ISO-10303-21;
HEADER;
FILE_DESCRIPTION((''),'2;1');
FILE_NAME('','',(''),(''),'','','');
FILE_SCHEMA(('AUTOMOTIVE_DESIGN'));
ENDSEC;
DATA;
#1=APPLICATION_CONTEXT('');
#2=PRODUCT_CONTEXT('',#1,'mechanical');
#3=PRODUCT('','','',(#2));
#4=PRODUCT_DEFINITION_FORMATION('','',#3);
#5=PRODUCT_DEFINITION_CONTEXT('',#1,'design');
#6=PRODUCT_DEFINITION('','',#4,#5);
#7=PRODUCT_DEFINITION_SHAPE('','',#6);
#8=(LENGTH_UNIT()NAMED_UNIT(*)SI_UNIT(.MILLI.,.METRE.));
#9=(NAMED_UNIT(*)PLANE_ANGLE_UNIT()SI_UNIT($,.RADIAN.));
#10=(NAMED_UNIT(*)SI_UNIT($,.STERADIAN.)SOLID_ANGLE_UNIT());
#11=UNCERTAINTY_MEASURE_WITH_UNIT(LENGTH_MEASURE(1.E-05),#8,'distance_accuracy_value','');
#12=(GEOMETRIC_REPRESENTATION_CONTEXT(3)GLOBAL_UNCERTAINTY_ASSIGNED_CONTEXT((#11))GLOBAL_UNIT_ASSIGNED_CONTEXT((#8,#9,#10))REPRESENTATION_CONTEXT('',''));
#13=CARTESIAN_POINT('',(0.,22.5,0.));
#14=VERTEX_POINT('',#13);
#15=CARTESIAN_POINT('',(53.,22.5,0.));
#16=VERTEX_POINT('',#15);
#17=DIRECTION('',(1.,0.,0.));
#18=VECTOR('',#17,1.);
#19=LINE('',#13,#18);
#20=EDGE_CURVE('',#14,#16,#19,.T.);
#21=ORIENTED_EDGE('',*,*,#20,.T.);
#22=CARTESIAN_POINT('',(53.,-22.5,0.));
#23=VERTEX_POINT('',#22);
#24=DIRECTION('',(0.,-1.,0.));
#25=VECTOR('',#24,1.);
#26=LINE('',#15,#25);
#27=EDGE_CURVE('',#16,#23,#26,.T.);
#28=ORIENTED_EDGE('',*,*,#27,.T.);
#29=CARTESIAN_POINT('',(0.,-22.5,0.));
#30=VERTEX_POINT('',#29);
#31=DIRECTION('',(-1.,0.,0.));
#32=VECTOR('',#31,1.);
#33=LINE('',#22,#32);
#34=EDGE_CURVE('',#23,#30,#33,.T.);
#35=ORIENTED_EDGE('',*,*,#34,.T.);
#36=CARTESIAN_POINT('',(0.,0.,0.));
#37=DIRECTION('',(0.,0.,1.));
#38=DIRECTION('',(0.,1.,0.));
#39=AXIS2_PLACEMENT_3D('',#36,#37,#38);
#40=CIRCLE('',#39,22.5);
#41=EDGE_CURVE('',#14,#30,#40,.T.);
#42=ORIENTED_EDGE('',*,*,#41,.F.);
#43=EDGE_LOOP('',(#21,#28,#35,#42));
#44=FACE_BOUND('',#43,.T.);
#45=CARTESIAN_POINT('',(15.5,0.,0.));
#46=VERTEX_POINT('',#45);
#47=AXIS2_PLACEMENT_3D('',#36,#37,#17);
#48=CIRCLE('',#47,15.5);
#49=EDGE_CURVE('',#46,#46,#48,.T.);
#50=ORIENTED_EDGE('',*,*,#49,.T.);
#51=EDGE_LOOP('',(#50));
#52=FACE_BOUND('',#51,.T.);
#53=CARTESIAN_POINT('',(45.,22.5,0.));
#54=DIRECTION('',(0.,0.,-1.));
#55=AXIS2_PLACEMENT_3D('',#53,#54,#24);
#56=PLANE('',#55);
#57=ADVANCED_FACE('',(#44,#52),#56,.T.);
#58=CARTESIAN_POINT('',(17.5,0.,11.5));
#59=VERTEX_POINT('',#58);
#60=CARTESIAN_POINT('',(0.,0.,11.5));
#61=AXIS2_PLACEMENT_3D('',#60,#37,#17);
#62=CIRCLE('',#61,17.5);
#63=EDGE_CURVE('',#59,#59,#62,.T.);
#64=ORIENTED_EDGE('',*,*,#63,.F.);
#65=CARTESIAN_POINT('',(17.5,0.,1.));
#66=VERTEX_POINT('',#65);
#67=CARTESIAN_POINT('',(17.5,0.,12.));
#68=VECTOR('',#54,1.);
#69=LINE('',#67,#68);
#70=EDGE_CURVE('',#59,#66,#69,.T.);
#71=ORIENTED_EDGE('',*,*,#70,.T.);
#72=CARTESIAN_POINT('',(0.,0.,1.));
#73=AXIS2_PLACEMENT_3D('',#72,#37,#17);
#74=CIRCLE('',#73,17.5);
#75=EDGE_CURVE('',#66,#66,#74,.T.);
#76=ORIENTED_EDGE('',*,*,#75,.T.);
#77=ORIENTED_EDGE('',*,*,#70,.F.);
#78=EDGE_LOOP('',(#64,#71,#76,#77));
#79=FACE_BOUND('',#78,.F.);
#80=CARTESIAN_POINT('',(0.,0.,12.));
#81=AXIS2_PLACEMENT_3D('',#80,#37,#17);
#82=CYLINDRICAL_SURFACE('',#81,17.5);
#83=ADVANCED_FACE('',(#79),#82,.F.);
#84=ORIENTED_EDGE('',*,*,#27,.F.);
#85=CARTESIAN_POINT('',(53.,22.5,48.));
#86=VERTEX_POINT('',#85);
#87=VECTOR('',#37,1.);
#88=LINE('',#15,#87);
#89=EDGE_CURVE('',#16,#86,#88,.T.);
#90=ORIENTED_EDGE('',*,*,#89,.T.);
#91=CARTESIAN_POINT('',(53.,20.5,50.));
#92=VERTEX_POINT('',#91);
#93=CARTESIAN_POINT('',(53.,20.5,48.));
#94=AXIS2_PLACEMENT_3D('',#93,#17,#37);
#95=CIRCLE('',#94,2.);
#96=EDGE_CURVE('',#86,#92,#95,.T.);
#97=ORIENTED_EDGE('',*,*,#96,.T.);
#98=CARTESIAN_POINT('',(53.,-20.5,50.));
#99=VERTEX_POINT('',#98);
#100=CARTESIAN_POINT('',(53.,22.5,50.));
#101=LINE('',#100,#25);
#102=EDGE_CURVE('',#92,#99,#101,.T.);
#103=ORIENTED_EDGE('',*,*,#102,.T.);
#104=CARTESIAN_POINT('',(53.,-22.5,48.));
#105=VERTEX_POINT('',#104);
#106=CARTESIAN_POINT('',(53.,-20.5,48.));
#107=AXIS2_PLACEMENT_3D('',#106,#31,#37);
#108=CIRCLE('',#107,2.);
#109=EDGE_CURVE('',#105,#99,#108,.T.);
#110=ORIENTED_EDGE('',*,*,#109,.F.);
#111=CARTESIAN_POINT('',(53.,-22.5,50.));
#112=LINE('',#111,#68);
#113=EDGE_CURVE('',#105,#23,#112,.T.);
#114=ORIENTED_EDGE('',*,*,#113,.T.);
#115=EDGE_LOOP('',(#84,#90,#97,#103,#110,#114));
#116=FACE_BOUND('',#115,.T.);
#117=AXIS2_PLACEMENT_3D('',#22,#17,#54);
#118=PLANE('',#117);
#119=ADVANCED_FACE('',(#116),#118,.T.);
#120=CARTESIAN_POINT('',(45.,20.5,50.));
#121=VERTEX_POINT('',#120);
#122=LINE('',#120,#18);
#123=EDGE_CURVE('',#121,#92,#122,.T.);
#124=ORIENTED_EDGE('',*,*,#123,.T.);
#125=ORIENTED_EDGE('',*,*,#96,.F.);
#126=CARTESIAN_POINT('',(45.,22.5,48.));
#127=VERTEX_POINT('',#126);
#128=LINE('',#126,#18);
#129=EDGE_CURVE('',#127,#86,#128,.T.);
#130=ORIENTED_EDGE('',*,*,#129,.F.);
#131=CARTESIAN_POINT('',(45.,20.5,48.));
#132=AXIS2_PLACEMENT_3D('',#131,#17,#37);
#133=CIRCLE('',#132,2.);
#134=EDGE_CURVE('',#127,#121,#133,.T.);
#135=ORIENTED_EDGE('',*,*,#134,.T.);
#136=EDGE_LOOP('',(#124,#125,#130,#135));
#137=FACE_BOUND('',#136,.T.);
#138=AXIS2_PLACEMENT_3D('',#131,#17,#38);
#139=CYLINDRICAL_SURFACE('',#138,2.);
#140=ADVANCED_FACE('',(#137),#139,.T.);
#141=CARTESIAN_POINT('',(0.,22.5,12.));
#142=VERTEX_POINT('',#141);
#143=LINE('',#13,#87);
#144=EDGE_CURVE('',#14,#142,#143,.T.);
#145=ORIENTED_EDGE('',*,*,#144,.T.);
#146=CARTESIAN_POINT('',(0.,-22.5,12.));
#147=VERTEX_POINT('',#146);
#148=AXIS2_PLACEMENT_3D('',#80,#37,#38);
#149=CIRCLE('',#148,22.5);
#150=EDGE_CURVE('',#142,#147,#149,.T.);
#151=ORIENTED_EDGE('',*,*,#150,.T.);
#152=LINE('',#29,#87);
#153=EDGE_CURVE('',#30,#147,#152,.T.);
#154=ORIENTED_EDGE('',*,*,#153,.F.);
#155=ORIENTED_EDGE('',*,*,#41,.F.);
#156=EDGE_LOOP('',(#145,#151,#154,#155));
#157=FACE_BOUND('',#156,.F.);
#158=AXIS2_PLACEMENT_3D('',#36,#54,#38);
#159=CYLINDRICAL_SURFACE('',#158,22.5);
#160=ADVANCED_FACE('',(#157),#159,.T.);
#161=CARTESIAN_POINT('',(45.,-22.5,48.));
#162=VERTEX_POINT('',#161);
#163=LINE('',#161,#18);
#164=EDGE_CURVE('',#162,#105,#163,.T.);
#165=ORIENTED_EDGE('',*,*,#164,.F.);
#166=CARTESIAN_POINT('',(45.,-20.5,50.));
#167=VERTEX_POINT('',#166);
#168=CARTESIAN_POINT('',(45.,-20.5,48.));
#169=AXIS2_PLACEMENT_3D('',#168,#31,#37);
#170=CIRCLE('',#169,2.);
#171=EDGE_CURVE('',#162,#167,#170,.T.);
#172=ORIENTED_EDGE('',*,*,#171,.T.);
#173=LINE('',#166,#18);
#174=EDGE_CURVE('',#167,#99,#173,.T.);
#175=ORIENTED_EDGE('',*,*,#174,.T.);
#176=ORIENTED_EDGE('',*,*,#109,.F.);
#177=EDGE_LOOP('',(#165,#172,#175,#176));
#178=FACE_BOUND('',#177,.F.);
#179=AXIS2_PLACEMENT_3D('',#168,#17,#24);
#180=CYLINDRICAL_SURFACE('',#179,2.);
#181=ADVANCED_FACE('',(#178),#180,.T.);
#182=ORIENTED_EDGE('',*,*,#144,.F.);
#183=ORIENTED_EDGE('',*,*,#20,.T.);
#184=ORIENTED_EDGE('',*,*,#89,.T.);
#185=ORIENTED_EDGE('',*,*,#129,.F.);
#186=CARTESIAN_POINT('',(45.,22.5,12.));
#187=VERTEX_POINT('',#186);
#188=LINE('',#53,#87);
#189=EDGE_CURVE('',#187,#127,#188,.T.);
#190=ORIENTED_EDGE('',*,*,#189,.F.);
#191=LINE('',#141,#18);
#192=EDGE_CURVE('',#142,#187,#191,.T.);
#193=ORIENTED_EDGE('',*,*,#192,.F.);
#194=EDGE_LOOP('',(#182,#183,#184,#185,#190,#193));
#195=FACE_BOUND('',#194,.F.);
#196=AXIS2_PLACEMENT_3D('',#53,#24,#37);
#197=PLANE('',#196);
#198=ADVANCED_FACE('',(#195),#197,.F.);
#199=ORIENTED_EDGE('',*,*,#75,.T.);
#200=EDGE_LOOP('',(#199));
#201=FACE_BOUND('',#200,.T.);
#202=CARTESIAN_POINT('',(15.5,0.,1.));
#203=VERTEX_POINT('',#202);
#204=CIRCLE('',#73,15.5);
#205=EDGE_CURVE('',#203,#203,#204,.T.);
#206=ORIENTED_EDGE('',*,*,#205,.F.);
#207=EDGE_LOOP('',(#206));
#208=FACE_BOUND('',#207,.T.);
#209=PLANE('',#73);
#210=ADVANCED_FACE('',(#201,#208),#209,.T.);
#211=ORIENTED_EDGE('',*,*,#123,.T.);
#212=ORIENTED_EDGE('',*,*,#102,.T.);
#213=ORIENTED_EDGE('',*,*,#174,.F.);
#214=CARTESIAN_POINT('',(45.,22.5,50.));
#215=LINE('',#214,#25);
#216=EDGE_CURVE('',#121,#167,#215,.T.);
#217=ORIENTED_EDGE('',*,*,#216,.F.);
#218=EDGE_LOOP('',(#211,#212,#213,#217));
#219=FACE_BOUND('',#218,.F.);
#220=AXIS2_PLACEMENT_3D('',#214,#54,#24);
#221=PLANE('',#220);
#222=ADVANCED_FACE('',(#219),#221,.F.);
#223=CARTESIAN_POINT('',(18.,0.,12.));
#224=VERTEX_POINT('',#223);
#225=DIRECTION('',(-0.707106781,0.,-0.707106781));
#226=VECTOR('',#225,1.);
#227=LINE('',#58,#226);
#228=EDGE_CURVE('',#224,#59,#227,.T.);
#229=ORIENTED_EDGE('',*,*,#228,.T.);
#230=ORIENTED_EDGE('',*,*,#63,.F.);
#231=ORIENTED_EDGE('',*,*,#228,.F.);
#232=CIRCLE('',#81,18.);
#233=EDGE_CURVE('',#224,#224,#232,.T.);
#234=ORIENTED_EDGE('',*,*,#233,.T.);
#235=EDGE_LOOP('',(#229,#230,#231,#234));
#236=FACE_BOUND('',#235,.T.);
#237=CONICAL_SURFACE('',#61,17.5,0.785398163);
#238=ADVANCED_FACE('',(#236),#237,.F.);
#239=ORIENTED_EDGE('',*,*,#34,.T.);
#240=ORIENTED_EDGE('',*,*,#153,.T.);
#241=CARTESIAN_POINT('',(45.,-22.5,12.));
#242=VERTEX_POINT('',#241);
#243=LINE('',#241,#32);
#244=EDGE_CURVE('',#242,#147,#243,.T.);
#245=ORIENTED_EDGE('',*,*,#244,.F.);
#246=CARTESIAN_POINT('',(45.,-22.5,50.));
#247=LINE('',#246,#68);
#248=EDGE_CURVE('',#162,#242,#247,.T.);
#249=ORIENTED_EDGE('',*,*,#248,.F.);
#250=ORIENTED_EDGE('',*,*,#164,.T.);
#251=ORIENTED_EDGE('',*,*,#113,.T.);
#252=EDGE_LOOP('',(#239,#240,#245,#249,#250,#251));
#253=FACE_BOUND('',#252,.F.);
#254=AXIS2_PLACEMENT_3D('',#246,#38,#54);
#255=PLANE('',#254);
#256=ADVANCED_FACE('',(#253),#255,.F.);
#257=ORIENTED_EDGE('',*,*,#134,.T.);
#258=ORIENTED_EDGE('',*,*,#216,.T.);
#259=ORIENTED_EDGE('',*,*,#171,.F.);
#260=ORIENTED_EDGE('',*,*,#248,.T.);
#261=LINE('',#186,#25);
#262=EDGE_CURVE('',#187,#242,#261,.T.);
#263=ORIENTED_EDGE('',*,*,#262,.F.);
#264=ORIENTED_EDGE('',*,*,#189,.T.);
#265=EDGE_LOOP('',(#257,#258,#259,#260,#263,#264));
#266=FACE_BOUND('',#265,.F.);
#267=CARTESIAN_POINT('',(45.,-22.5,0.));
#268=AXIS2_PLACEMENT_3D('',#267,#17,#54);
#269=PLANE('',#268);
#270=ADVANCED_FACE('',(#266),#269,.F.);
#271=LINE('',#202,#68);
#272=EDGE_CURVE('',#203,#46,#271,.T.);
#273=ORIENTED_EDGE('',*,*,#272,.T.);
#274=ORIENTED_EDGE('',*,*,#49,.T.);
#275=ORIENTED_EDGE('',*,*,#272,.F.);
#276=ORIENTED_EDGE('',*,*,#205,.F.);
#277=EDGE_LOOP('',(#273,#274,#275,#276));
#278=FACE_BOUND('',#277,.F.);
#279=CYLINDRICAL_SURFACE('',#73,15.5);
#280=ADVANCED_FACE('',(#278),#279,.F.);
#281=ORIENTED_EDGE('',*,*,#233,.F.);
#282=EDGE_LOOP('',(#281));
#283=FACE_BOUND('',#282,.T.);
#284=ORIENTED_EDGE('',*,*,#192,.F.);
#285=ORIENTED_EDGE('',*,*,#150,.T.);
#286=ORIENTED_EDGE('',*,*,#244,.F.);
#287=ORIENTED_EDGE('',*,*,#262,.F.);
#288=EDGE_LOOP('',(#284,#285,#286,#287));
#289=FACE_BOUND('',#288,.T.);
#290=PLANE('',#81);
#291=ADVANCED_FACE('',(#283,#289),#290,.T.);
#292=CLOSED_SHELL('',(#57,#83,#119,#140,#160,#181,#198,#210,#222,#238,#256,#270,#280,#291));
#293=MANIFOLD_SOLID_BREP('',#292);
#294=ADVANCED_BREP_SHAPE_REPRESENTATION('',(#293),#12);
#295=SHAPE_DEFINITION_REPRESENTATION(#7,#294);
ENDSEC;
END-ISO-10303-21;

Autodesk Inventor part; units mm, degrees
ref_plane "YZ Plane" through (0, 0, 0) normal (1, 0, 0) x (0, 1, 0)
ref_plane "XZ Plane" through (0, 0, 0) normal (0, 1, 0) x (-1, 0, 0)
ref_plane "XY Plane" through (0, 0, 0) normal (0, 0, 1) x (1, 0, 0)
sketch "Schizzo1" plane through (0, 0, 0) normal (0, 0, 1) x (1, 0, 0)
  arc A0 (0, 22.5) -> (0, -22.5) centre (0, 0) ccw
  line L0 (0, 22.5) -> (45, 22.5)
  line L1 (45, 22.5) -> (45, -22.5)
  line L2 (45, -22.5) -> (0, -22.5)
  dimension "d1" = 45
  dimension "d2" = 45
extrude "Estrusione1" add sketch "Schizzo1" along normal blind 12
sketch "Schizzo2" plane through (0, 0, 12) normal (0, 0, 1) x (1, 0, 0)
  circle A0 centre (0, 0) radius 17.5
  dimension "d5" = 35
extrude "Estrusione2" cut sketch "Schizzo2" against normal blind 11
sketch "Schizzo3" plane through (0, 0, 1) normal (0, 0, 1) x (1, 0, 0)
  circle A0 centre (0, 0) radius 15.5
  dimension "d8" = 31
extrude "Estrusione3" cut sketch "Schizzo3" against normal up to next
chamfer "Smusso1" distance 0.5 angle 45 1 edges at (-17.5, 0, 12)
sketch "Schizzo4" plane through (45, -22.5, 0) normal (1, 0, 0) x (0, 0, -1)
  line L0 (0, 45) -> (0, 0) projected
  line L1 (0, 45) -> (-50, 45)
  line L2 (-50, 45) -> (-50, 0)
  line L3 (-50, 0) -> (0, 0)
  line L4 (0, 0) -> (0, 45)
  point P0 (0, 22.5)
  dimension "d15" = 50
  dimension "d16" = 45
extrude "Estrusione4" add sketch "Schizzo4" along normal blind 8
fillet "Raccordo2" radius 2 2 edges at (49, 22.5, 50) (49, -22.5, 50)
properties part number "Porta cuscinetto perno telaietto"
